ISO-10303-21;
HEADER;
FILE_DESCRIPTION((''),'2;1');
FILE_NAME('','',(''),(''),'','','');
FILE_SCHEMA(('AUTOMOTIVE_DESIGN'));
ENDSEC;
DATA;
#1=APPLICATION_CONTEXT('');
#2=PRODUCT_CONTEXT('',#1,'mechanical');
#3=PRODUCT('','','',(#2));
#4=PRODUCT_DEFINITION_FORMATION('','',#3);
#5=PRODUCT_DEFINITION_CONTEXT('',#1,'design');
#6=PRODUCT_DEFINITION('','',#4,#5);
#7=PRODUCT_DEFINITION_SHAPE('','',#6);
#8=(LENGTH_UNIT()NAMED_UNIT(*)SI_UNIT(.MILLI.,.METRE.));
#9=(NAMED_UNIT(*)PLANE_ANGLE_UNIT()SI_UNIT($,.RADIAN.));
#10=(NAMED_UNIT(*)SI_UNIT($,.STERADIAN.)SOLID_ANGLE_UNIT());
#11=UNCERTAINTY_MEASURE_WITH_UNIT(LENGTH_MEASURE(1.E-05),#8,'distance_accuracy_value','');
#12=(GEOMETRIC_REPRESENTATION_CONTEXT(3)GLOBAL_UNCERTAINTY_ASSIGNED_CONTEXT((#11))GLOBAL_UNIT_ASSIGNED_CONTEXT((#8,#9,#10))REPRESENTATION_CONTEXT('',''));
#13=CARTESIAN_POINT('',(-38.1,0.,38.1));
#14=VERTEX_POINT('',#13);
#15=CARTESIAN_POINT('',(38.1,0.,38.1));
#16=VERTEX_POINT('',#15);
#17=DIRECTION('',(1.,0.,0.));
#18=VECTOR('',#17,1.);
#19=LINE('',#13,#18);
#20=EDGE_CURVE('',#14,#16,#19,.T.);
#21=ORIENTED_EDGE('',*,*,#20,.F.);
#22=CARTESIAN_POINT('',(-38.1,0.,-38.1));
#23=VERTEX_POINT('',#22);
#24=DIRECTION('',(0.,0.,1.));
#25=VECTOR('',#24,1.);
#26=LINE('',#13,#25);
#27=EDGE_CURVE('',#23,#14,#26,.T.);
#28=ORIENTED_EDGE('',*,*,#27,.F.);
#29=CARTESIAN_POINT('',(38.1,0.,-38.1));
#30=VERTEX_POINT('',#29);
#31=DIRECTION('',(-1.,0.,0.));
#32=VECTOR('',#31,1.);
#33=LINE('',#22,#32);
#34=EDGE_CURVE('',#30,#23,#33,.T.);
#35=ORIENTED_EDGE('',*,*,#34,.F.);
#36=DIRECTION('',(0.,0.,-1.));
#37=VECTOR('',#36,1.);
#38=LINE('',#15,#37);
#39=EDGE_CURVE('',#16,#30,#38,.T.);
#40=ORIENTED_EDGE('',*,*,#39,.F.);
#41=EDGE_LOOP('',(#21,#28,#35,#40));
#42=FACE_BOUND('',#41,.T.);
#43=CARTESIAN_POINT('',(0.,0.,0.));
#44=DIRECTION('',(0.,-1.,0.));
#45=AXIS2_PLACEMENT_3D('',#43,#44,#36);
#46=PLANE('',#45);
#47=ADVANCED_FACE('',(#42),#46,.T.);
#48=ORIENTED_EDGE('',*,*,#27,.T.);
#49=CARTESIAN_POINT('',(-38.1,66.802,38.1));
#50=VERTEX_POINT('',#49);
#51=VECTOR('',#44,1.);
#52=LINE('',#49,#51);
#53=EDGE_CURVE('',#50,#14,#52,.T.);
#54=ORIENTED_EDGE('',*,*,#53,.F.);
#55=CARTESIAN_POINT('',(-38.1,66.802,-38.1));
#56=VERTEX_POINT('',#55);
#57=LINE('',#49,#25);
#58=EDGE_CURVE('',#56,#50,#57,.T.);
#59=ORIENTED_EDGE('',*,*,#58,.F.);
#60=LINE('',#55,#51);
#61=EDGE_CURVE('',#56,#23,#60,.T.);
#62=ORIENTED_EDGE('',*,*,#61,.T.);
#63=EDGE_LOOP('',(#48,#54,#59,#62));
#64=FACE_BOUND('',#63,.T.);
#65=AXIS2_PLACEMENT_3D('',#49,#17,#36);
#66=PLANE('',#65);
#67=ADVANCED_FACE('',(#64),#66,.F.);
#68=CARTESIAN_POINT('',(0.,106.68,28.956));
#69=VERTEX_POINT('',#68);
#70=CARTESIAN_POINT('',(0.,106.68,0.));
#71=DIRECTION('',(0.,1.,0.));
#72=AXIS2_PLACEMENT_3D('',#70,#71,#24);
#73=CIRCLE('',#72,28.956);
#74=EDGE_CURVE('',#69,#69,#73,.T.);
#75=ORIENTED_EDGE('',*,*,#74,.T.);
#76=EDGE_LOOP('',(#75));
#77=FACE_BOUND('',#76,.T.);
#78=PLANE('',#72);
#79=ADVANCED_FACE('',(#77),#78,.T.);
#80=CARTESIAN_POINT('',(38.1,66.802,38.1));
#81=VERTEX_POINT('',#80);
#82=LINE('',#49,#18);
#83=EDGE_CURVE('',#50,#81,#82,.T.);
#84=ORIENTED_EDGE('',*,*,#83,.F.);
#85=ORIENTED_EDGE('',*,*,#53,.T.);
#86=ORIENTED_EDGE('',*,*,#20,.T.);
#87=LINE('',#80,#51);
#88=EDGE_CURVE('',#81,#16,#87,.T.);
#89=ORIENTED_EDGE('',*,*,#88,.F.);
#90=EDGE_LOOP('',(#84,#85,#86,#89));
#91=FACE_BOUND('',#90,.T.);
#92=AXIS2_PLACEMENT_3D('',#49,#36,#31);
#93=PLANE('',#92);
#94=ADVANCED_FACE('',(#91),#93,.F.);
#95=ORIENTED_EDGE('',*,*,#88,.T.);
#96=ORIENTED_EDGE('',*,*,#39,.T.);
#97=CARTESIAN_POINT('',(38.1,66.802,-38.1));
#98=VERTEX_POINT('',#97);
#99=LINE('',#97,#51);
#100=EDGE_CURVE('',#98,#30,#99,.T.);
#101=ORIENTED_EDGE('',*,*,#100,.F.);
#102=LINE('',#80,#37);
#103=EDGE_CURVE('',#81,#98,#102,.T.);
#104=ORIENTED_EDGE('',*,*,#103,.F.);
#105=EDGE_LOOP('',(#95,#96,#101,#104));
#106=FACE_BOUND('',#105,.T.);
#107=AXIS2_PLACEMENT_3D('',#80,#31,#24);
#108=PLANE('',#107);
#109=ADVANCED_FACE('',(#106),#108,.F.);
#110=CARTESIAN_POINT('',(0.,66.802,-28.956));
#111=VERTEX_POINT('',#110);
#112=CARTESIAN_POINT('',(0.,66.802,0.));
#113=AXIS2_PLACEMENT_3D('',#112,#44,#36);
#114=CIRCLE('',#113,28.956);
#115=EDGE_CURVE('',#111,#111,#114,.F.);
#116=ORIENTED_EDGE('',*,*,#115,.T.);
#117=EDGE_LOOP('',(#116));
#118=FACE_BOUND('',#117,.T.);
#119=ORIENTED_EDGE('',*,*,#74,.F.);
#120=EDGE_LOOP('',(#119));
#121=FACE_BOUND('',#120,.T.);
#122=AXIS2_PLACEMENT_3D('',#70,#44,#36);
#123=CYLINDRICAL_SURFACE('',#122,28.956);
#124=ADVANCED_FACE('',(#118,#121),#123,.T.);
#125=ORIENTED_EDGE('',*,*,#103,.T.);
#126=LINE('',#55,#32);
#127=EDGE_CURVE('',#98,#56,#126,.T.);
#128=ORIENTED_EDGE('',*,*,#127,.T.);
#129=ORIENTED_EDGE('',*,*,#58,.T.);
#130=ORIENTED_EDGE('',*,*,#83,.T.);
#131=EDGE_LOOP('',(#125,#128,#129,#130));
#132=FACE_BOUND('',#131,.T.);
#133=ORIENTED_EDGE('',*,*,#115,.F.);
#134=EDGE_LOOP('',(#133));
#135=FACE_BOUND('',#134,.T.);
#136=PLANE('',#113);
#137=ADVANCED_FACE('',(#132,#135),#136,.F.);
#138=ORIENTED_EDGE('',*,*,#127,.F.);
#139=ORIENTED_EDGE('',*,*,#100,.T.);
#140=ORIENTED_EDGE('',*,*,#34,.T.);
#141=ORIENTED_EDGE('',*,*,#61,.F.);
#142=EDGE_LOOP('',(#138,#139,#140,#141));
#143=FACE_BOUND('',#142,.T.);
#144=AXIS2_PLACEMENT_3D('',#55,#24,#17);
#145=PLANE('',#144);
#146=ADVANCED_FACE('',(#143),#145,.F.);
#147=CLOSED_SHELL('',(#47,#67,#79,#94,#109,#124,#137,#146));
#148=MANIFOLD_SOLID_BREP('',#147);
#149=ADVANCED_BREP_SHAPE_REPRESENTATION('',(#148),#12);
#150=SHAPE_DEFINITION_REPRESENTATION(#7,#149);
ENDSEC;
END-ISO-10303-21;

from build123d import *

# Parameters (mm, degrees)
SKETCH2_W           = 76.2
SKETCH2_H           = 76.2
BOSS_EXTRUDE1_DEPTH = 66.802
SKETCH3_R           = 28.956
BOSS_EXTRUDE2_DEPTH = 39.878


with BuildPart() as part:
    # Sketch2 → Boss-Extrude1 (new body)
    with BuildSketch(Plane(origin=(0, 0, 0), x_dir=(1, 0, 0), z_dir=(0, 1, 0))):
        Rectangle(SKETCH2_W, SKETCH2_H)
    extrude(amount=BOSS_EXTRUDE1_DEPTH)

    # Sketch3 → Boss-Extrude2 (add)
    with BuildSketch(Plane(origin=(0, 66.802, 0), x_dir=(1, 0, 0), z_dir=(0, 1, 0))):
        Circle(SKETCH3_R)
    extrude(amount=BOSS_EXTRUDE2_DEPTH)


solid = part.part
